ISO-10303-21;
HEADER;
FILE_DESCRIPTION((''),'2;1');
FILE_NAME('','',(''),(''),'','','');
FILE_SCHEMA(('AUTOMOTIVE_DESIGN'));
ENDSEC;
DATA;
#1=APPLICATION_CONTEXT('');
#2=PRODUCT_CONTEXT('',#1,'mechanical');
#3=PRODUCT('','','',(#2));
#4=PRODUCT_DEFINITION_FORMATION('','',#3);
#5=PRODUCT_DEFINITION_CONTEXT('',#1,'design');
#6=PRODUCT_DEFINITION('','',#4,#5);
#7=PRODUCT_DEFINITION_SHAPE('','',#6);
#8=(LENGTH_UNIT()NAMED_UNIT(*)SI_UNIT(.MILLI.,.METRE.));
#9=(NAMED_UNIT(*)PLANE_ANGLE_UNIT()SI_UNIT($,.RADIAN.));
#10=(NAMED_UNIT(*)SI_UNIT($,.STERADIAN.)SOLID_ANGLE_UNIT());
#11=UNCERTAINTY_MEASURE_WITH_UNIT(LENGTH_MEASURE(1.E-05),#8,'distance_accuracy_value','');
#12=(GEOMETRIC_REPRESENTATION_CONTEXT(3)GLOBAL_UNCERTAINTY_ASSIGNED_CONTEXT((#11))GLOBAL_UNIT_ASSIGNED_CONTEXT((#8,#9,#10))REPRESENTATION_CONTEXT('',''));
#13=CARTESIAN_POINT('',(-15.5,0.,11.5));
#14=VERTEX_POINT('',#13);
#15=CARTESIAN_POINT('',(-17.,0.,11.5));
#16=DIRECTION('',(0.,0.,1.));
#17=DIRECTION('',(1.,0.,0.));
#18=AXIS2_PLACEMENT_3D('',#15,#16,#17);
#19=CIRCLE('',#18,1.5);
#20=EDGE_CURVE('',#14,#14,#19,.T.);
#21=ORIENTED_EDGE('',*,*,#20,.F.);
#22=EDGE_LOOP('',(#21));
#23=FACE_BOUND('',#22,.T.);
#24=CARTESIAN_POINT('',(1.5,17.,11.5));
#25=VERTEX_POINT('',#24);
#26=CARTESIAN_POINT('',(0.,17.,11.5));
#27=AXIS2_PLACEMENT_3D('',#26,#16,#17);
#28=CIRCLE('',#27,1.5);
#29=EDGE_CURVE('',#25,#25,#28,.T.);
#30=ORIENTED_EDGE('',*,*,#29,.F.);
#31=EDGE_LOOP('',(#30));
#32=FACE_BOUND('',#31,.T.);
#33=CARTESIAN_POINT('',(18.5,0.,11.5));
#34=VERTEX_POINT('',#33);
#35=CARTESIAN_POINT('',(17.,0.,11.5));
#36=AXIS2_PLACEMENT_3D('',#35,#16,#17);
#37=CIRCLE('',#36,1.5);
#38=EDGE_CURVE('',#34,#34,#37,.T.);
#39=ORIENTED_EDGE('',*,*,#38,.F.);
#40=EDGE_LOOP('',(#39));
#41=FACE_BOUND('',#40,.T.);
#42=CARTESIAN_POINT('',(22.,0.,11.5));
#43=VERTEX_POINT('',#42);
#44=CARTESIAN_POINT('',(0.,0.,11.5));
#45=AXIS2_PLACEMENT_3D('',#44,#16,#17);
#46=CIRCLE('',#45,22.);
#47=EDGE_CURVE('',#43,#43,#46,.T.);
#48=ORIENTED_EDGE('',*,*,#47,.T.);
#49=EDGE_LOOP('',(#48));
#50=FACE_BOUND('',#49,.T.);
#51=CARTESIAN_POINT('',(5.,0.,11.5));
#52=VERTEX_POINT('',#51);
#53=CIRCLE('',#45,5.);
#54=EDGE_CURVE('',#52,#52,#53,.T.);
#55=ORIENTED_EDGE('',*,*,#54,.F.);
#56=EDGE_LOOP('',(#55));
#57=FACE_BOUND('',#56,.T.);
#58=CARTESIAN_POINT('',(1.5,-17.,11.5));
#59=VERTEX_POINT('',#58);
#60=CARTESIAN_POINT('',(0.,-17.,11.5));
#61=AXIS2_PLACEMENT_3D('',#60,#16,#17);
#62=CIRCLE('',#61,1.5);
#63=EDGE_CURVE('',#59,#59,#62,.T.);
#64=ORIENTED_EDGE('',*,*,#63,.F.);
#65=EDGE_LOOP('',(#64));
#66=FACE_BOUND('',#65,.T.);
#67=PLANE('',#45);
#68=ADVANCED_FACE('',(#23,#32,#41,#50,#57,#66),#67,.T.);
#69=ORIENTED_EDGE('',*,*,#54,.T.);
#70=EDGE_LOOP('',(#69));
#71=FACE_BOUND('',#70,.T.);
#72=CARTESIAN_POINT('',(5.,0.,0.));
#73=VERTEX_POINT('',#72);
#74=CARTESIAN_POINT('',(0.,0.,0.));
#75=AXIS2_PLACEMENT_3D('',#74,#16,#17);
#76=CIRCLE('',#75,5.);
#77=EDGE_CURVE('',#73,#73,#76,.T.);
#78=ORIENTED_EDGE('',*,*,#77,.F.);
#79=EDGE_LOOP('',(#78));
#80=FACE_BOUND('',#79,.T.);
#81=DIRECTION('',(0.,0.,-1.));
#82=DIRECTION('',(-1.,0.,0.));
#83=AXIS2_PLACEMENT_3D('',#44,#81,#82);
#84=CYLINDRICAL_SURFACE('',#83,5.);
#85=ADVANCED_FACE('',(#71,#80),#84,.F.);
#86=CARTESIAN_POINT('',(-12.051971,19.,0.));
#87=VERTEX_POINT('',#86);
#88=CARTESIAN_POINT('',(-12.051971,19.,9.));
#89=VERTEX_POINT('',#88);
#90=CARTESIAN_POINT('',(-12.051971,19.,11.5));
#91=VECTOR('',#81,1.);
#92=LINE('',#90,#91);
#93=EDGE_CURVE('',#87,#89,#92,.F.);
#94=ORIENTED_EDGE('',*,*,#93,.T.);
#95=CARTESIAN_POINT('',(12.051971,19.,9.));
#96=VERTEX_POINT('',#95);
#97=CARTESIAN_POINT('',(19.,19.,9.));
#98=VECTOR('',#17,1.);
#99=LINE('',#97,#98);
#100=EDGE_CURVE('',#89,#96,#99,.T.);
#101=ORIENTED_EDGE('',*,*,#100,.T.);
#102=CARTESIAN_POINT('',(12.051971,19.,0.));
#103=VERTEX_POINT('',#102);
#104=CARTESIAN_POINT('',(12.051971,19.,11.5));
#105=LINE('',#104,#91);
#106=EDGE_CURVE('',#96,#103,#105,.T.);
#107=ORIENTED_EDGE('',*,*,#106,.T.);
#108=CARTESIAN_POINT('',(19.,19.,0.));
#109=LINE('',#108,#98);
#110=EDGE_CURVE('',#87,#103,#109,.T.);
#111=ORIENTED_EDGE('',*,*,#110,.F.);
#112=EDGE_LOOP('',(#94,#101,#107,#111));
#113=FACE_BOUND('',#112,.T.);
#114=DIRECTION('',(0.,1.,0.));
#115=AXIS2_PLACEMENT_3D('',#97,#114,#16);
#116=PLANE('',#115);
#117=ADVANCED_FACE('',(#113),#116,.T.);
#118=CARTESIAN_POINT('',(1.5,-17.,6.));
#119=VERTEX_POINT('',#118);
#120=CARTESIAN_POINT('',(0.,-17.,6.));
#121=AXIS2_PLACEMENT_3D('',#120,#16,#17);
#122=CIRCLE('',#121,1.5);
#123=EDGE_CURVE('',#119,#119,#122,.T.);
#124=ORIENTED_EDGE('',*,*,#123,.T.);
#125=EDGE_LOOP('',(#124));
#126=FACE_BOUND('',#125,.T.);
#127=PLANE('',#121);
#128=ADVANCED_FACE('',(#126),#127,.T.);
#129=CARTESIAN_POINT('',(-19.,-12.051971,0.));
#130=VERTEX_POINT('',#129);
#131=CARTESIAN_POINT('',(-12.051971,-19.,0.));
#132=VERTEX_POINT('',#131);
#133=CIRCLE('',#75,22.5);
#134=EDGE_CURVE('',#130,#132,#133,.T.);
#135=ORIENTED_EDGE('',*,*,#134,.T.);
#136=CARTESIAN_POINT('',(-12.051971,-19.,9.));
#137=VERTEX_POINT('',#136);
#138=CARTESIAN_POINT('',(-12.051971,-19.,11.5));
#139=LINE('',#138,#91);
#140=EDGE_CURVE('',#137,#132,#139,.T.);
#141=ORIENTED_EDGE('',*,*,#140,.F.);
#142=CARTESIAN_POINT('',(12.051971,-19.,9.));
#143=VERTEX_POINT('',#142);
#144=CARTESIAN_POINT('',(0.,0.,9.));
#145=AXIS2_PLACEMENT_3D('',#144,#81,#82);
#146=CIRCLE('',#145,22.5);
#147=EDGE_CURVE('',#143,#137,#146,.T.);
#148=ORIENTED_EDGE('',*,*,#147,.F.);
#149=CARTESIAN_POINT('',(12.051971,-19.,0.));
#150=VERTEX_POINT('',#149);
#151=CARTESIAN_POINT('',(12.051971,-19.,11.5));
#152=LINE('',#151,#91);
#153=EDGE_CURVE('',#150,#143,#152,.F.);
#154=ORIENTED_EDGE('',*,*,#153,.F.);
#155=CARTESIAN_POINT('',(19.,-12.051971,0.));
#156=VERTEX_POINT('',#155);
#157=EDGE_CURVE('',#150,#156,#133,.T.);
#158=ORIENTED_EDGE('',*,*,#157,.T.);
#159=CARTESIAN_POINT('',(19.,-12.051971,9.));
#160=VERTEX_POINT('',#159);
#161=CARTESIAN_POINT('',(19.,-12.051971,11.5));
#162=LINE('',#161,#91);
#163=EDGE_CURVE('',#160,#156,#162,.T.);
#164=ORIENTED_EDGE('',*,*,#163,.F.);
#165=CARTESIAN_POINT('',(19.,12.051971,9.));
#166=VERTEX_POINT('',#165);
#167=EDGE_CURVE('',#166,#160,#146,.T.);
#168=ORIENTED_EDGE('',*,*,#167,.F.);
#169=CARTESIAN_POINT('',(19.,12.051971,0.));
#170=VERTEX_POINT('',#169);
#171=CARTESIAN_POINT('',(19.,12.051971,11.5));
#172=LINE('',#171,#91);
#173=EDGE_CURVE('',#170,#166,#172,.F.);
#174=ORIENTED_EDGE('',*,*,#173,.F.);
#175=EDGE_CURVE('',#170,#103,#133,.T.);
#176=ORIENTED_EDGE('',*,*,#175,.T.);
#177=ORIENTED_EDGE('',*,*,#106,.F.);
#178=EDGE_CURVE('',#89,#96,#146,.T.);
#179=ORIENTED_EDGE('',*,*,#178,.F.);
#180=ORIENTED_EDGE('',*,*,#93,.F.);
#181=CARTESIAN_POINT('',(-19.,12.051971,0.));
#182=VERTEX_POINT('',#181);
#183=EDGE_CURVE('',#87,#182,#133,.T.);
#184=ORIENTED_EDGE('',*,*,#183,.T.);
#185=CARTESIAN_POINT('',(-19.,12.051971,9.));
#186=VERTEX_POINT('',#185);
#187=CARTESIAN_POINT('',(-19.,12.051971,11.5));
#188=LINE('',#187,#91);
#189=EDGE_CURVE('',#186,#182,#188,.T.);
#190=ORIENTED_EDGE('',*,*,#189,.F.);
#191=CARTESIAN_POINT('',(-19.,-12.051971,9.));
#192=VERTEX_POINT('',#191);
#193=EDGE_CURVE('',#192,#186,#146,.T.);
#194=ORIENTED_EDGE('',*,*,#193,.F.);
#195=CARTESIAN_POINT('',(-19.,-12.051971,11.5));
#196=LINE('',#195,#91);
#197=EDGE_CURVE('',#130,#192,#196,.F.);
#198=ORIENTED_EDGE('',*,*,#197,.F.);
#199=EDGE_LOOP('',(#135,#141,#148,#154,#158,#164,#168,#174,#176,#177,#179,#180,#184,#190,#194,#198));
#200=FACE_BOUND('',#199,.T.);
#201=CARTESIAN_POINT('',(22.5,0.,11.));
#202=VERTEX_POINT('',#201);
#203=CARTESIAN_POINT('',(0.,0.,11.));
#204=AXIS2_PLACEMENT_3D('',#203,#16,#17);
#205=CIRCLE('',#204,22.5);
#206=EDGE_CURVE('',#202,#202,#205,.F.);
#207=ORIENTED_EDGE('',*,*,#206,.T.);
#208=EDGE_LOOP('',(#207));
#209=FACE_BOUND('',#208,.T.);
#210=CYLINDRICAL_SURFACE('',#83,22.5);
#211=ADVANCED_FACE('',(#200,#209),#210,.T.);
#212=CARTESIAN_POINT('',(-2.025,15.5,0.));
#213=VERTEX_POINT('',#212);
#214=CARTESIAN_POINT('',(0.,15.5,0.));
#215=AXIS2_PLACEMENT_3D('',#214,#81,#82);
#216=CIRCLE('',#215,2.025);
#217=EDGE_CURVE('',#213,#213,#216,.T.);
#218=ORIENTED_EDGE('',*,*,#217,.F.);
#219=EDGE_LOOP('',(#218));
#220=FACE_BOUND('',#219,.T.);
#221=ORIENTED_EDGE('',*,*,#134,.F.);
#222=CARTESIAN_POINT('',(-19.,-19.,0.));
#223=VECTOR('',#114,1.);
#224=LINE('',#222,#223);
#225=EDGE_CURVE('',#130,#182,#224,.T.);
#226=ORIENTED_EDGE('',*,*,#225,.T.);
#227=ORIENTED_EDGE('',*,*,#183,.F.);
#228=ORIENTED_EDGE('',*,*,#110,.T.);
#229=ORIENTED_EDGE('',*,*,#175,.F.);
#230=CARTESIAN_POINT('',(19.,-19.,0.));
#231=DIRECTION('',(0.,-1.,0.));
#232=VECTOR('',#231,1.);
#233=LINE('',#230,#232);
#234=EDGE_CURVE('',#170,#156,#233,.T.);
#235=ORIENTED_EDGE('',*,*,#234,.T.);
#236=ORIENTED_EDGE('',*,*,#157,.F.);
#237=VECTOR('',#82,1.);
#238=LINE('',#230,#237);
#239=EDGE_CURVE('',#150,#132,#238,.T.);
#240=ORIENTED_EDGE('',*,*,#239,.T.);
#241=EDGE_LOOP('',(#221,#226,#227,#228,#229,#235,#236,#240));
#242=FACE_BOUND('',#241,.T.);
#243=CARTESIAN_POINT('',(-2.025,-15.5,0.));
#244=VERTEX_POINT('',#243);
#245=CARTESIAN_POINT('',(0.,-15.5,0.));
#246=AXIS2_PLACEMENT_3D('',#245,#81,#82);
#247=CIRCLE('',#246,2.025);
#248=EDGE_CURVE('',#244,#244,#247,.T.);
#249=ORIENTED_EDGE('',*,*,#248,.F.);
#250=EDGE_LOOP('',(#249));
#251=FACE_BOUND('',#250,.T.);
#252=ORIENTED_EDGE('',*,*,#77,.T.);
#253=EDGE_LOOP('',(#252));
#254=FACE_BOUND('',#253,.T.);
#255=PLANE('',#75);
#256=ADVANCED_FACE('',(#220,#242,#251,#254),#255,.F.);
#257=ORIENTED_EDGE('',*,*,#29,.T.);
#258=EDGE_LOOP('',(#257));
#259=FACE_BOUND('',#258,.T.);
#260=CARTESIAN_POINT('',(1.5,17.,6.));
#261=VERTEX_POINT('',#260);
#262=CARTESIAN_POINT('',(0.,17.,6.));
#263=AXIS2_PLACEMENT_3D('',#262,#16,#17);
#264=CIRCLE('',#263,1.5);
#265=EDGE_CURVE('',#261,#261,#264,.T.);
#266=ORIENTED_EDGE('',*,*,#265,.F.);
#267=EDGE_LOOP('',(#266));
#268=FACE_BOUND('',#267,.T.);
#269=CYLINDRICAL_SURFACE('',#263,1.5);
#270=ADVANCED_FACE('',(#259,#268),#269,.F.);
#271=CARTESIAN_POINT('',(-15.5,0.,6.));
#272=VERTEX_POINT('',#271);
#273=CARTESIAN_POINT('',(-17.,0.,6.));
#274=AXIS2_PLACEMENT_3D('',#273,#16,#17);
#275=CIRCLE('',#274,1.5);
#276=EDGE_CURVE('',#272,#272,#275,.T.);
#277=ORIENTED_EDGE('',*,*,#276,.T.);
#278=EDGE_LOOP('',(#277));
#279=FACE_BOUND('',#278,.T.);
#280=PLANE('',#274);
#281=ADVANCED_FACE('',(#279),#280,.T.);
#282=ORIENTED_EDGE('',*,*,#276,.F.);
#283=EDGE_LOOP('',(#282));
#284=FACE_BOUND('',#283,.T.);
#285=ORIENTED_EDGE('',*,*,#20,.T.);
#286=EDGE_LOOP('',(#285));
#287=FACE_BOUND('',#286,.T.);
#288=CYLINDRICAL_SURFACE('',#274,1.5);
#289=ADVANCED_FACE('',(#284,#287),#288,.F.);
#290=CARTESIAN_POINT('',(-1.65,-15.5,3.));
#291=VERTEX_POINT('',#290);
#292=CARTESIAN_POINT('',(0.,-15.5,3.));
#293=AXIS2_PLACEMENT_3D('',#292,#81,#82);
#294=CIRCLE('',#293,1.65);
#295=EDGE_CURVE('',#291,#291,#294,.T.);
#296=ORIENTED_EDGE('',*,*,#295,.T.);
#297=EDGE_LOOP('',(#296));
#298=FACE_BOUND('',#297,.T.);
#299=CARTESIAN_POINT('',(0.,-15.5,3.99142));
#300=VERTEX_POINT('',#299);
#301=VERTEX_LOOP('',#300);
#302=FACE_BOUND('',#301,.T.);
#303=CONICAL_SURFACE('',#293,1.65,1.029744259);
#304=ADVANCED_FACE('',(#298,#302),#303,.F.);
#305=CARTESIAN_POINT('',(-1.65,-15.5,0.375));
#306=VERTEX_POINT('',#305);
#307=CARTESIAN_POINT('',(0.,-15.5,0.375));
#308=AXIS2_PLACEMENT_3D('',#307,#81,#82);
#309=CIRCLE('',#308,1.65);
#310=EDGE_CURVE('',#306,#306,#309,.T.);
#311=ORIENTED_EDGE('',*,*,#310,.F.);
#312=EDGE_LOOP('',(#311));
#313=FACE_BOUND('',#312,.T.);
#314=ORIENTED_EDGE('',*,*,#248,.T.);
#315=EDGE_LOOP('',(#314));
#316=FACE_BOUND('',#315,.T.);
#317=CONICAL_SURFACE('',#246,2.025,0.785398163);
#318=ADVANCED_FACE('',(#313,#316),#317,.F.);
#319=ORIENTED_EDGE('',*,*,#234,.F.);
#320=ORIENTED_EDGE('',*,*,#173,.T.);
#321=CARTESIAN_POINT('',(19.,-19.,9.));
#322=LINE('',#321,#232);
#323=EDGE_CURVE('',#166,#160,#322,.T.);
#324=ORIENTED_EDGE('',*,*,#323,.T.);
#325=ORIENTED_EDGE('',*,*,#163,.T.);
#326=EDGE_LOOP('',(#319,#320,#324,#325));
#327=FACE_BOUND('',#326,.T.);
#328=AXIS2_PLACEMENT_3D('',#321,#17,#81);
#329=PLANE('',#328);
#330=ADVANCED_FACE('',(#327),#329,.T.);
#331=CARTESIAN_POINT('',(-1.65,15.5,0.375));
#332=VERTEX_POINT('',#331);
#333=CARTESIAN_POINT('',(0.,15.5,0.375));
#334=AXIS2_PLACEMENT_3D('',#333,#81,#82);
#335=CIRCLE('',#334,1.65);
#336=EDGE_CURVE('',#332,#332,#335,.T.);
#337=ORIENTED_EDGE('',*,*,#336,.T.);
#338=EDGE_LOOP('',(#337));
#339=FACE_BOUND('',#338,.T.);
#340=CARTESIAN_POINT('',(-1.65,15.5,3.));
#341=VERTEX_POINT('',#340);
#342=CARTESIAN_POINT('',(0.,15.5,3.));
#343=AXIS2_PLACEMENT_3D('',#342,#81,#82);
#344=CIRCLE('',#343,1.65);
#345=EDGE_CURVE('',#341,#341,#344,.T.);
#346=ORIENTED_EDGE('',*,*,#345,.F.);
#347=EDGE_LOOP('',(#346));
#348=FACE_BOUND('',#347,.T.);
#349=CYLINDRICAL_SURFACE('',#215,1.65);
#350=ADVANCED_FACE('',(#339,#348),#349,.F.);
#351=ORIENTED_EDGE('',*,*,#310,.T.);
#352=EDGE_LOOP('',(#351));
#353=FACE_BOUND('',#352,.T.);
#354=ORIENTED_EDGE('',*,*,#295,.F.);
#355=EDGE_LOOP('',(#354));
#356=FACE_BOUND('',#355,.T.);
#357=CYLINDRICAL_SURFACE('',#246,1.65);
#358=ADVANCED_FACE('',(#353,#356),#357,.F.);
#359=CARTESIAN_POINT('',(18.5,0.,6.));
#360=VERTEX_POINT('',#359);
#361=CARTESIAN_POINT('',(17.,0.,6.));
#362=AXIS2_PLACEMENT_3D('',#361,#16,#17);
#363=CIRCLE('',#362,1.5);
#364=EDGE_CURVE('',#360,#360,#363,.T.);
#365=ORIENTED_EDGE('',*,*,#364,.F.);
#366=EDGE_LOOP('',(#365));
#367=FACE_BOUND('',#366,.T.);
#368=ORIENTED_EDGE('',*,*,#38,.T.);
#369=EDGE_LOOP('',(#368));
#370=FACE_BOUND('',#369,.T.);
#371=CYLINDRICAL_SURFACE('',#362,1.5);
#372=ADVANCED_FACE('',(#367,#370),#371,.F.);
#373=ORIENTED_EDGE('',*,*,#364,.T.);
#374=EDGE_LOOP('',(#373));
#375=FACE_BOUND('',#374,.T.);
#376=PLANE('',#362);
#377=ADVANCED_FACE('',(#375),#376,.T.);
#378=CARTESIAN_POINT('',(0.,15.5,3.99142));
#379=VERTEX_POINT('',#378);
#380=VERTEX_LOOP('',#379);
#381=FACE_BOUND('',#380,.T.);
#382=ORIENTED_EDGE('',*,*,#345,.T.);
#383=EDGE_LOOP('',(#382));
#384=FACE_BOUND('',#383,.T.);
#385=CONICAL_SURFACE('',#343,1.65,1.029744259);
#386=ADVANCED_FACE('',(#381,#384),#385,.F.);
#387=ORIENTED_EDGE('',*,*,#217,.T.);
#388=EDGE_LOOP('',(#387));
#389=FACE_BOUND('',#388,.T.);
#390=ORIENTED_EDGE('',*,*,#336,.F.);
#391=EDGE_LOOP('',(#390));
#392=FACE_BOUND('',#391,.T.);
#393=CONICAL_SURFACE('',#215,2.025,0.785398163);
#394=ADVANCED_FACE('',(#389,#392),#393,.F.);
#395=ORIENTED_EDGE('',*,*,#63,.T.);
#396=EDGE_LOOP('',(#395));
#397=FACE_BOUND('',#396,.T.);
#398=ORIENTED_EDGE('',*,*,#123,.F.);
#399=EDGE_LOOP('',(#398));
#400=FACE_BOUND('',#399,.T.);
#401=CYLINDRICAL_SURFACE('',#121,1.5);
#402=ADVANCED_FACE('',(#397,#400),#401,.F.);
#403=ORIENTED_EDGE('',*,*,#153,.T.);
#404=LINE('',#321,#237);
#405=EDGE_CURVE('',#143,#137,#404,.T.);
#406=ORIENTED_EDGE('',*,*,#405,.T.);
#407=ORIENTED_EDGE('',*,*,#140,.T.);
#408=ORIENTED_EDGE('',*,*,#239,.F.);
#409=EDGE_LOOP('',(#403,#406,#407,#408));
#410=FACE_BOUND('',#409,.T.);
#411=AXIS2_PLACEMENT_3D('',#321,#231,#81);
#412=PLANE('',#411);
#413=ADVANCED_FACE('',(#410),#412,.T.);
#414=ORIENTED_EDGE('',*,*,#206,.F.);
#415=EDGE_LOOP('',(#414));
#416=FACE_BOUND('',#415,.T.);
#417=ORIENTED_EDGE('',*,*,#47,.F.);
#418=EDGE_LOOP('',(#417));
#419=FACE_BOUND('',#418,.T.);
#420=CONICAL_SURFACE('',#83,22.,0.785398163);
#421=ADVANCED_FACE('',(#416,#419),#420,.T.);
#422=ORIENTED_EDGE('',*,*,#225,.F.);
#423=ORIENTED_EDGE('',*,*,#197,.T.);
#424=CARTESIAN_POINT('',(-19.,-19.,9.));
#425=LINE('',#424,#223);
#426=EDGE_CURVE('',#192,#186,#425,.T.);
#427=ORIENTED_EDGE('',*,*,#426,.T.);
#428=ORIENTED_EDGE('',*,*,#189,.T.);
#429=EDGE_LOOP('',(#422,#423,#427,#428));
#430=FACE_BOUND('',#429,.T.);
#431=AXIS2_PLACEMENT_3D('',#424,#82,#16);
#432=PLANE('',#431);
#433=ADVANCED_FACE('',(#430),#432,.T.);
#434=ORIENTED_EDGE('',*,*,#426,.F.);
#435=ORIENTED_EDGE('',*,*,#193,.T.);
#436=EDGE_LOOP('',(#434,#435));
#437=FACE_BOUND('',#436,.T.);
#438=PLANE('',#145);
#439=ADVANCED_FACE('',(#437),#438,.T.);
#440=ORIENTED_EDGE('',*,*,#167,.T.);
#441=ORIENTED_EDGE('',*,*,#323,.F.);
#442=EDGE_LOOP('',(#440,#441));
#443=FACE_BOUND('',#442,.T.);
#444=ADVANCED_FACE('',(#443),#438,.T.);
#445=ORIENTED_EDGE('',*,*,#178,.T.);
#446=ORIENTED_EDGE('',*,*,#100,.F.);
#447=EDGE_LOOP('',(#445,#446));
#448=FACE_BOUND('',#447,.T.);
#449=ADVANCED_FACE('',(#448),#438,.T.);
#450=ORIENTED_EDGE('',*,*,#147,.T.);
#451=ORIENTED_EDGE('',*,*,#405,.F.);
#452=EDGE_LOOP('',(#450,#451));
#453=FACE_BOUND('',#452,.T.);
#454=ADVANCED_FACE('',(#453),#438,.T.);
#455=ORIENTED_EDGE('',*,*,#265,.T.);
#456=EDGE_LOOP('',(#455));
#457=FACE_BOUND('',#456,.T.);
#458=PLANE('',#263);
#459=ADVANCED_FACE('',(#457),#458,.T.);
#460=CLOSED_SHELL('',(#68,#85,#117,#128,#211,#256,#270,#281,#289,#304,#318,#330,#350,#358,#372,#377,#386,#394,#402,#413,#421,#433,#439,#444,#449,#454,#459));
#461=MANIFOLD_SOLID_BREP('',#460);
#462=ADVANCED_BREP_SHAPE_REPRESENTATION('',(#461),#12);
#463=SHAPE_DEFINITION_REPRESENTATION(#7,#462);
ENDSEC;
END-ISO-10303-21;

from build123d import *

# Parameters (mm, degrees)
SKETCH_1_R                   = 22.5
SKETCH_1_R_2                 = 5
EXTRUDE_1_DEPTH              = 11.5
SKETCH_2_R                   = 1.5
CUT_EXTRUDE_1_DEPTH          = 5.5
CHAMFER_1_SIZE               = 0.5
SKETCH_3_OUTSIDE_W           = 59.934
SKETCH_3_OUTSIDE_H           = 59.934
SKETCH_3_OUTSIDE_W_2         = 38
SKETCH_3_OUTSIDE_H_2         = 38
CUT_EXTRUDE_2_DEPTH          = 9
HOLE_WIZARD_M4_1_D           = 3.3
HOLE_WIZARD_M4_1_DEPTH       = 3
HOLE_WIZARD_M4_1_CSINK_D     = 4.05
HOLE_WIZARD_M4_1_CSINK_ANGLE = 90
HOLE_WIZARD_M4_1_TIP         = 0.991420021


with BuildPart() as part:
    # 草图1 → 凸台-拉伸1 (new body)
    with BuildSketch(Plane.XY):
        Circle(SKETCH_1_R)
        Circle(SKETCH_1_R_2, mode=Mode.SUBTRACT)
    extrude(amount=EXTRUDE_1_DEPTH)

    # 草图2 → 切除-拉伸1 (cut)
    with BuildSketch(Plane.XY.offset(11.5)):
        with Locations((0, 17)):
            Circle(SKETCH_2_R)
        with Locations((17, 0)):
            Circle(SKETCH_2_R)
        with Locations((0, -17)):
            Circle(SKETCH_2_R)
        with Locations((-17, 0)):
            Circle(SKETCH_2_R)
    extrude(amount=-CUT_EXTRUDE_1_DEPTH, mode=Mode.SUBTRACT)

    # 倒角1
    chamfer_1_edges = [part.edges().sort_by_distance(p)[0] for p in [
        (-22.5, 0, 11.5),
    ]]
    chamfer(chamfer_1_edges, length=CHAMFER_1_SIZE)

    # 草图3 outside → 切除-拉伸2 (cut)
    with BuildSketch(Plane(origin=(0, 0, 0), x_dir=(-1, 0, 0), z_dir=(0, 0, -1))):
        Rectangle(SKETCH_3_OUTSIDE_W, SKETCH_3_OUTSIDE_H)
        Rectangle(SKETCH_3_OUTSIDE_W_2, SKETCH_3_OUTSIDE_H_2, mode=Mode.SUBTRACT)
    extrude(amount=-CUT_EXTRUDE_2_DEPTH, mode=Mode.SUBTRACT)

    # M4 螺纹孔1
    with Locations(Plane(origin=(0, 0, 0), x_dir=(-1, 0, 0), z_dir=(0, 0, -1))):
        with Locations((0, -15.5), (0, 15.5)):
            CounterSinkHole(HOLE_WIZARD_M4_1_D / 2, HOLE_WIZARD_M4_1_CSINK_D / 2, depth=HOLE_WIZARD_M4_1_DEPTH, counter_sink_angle=HOLE_WIZARD_M4_1_CSINK_ANGLE)
            with Locations((0, 0, -(HOLE_WIZARD_M4_1_DEPTH + HOLE_WIZARD_M4_1_TIP / 2))):  # 118° drill point
                Cone(0, HOLE_WIZARD_M4_1_D / 2, HOLE_WIZARD_M4_1_TIP, mode=Mode.SUBTRACT)


solid = part.part
